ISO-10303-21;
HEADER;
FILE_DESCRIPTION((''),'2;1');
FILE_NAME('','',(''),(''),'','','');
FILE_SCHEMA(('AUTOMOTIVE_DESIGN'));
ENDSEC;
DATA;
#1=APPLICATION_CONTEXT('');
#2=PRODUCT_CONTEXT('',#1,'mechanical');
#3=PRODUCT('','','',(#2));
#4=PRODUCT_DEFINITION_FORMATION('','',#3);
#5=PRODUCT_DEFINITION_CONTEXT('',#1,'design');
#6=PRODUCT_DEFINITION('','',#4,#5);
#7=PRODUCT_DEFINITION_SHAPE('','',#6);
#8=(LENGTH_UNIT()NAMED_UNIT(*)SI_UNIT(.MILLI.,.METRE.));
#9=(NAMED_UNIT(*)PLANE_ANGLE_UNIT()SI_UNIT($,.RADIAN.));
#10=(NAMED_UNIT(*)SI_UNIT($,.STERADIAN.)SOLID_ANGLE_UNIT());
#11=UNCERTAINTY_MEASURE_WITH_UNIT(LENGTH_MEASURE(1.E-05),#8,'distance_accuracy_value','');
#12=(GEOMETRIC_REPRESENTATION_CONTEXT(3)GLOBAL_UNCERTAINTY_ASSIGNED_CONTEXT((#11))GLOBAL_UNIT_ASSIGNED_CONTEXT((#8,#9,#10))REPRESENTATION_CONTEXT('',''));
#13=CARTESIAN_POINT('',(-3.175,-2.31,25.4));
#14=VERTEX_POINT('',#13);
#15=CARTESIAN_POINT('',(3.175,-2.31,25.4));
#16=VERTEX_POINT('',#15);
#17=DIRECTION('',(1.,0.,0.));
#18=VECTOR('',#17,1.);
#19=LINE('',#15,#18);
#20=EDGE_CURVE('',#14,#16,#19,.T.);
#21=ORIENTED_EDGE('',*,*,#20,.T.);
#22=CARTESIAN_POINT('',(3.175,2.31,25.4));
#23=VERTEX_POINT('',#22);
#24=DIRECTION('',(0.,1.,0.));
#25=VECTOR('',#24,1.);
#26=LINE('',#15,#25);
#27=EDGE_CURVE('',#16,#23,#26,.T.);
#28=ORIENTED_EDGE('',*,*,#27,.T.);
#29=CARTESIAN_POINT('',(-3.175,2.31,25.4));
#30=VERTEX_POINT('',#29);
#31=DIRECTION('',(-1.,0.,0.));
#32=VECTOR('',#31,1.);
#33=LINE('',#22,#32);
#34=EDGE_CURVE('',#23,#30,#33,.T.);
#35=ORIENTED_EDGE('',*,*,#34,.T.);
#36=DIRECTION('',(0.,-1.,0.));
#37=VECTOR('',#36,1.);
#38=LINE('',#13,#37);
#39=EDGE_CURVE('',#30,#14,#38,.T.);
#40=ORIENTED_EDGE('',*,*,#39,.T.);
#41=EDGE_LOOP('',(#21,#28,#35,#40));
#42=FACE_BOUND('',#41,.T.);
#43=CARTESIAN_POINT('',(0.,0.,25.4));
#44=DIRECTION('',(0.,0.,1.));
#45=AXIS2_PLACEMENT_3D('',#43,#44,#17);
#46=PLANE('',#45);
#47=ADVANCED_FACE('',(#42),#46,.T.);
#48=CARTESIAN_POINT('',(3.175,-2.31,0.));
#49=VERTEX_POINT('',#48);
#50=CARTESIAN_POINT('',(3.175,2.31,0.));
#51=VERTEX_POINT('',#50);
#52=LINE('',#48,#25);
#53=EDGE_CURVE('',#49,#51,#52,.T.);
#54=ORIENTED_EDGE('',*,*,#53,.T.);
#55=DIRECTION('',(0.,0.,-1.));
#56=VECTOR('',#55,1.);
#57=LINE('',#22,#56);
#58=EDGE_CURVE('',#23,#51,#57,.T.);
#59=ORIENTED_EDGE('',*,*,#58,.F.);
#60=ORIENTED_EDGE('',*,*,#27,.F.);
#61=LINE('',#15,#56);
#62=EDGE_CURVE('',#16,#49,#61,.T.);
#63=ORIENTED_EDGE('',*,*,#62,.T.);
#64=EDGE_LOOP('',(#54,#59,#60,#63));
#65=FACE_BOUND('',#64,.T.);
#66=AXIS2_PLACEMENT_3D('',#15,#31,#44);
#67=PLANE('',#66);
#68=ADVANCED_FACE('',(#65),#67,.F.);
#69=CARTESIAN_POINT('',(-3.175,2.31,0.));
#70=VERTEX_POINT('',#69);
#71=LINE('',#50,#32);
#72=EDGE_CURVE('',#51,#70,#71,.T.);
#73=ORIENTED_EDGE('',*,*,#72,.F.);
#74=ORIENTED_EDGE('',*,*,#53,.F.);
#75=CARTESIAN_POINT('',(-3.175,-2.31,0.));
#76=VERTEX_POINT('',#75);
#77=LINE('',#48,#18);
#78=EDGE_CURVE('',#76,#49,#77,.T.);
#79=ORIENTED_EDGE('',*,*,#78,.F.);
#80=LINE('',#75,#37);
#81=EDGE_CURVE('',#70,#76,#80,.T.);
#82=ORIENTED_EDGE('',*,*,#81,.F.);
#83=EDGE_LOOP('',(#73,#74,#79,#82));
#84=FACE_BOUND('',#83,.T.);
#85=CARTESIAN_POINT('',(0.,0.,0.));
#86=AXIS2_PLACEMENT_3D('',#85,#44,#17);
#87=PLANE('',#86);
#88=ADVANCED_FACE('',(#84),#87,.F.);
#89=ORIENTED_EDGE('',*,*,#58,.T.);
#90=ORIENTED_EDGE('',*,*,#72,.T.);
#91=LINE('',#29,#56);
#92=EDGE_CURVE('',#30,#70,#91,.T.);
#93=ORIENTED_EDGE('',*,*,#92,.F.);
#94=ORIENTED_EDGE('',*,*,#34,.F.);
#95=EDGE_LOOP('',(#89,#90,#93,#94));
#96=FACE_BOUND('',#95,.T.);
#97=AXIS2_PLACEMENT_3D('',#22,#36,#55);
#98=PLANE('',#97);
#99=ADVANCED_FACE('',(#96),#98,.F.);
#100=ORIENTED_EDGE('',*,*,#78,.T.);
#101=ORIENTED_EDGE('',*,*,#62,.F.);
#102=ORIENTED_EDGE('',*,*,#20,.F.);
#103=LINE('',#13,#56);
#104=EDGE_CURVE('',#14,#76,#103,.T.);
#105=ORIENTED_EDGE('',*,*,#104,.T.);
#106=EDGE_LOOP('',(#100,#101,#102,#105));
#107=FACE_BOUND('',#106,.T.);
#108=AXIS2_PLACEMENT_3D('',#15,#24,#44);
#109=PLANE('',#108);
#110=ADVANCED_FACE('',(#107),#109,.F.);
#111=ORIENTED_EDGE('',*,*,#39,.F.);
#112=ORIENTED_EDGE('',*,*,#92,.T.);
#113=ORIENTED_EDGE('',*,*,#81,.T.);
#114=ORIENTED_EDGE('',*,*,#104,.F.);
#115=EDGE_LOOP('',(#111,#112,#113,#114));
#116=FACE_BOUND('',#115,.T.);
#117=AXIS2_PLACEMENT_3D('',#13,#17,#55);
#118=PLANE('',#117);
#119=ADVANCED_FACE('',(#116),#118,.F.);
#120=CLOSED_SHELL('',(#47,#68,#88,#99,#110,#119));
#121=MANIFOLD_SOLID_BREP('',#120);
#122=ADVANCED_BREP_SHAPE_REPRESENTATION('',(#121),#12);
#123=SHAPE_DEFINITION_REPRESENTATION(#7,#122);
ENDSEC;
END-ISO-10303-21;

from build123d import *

# Parameters (mm, degrees)
SKETCH1_W           = 6.35
SKETCH1_H           = 4.62
BOSS_EXTRUDE1_DEPTH = 25.4


with BuildPart() as part:
    # Sketch1 → Boss-Extrude1 (new body)
    with BuildSketch(Plane.XY):
        Rectangle(SKETCH1_W, SKETCH1_H)
    extrude(amount=BOSS_EXTRUDE1_DEPTH)


solid = part.part
